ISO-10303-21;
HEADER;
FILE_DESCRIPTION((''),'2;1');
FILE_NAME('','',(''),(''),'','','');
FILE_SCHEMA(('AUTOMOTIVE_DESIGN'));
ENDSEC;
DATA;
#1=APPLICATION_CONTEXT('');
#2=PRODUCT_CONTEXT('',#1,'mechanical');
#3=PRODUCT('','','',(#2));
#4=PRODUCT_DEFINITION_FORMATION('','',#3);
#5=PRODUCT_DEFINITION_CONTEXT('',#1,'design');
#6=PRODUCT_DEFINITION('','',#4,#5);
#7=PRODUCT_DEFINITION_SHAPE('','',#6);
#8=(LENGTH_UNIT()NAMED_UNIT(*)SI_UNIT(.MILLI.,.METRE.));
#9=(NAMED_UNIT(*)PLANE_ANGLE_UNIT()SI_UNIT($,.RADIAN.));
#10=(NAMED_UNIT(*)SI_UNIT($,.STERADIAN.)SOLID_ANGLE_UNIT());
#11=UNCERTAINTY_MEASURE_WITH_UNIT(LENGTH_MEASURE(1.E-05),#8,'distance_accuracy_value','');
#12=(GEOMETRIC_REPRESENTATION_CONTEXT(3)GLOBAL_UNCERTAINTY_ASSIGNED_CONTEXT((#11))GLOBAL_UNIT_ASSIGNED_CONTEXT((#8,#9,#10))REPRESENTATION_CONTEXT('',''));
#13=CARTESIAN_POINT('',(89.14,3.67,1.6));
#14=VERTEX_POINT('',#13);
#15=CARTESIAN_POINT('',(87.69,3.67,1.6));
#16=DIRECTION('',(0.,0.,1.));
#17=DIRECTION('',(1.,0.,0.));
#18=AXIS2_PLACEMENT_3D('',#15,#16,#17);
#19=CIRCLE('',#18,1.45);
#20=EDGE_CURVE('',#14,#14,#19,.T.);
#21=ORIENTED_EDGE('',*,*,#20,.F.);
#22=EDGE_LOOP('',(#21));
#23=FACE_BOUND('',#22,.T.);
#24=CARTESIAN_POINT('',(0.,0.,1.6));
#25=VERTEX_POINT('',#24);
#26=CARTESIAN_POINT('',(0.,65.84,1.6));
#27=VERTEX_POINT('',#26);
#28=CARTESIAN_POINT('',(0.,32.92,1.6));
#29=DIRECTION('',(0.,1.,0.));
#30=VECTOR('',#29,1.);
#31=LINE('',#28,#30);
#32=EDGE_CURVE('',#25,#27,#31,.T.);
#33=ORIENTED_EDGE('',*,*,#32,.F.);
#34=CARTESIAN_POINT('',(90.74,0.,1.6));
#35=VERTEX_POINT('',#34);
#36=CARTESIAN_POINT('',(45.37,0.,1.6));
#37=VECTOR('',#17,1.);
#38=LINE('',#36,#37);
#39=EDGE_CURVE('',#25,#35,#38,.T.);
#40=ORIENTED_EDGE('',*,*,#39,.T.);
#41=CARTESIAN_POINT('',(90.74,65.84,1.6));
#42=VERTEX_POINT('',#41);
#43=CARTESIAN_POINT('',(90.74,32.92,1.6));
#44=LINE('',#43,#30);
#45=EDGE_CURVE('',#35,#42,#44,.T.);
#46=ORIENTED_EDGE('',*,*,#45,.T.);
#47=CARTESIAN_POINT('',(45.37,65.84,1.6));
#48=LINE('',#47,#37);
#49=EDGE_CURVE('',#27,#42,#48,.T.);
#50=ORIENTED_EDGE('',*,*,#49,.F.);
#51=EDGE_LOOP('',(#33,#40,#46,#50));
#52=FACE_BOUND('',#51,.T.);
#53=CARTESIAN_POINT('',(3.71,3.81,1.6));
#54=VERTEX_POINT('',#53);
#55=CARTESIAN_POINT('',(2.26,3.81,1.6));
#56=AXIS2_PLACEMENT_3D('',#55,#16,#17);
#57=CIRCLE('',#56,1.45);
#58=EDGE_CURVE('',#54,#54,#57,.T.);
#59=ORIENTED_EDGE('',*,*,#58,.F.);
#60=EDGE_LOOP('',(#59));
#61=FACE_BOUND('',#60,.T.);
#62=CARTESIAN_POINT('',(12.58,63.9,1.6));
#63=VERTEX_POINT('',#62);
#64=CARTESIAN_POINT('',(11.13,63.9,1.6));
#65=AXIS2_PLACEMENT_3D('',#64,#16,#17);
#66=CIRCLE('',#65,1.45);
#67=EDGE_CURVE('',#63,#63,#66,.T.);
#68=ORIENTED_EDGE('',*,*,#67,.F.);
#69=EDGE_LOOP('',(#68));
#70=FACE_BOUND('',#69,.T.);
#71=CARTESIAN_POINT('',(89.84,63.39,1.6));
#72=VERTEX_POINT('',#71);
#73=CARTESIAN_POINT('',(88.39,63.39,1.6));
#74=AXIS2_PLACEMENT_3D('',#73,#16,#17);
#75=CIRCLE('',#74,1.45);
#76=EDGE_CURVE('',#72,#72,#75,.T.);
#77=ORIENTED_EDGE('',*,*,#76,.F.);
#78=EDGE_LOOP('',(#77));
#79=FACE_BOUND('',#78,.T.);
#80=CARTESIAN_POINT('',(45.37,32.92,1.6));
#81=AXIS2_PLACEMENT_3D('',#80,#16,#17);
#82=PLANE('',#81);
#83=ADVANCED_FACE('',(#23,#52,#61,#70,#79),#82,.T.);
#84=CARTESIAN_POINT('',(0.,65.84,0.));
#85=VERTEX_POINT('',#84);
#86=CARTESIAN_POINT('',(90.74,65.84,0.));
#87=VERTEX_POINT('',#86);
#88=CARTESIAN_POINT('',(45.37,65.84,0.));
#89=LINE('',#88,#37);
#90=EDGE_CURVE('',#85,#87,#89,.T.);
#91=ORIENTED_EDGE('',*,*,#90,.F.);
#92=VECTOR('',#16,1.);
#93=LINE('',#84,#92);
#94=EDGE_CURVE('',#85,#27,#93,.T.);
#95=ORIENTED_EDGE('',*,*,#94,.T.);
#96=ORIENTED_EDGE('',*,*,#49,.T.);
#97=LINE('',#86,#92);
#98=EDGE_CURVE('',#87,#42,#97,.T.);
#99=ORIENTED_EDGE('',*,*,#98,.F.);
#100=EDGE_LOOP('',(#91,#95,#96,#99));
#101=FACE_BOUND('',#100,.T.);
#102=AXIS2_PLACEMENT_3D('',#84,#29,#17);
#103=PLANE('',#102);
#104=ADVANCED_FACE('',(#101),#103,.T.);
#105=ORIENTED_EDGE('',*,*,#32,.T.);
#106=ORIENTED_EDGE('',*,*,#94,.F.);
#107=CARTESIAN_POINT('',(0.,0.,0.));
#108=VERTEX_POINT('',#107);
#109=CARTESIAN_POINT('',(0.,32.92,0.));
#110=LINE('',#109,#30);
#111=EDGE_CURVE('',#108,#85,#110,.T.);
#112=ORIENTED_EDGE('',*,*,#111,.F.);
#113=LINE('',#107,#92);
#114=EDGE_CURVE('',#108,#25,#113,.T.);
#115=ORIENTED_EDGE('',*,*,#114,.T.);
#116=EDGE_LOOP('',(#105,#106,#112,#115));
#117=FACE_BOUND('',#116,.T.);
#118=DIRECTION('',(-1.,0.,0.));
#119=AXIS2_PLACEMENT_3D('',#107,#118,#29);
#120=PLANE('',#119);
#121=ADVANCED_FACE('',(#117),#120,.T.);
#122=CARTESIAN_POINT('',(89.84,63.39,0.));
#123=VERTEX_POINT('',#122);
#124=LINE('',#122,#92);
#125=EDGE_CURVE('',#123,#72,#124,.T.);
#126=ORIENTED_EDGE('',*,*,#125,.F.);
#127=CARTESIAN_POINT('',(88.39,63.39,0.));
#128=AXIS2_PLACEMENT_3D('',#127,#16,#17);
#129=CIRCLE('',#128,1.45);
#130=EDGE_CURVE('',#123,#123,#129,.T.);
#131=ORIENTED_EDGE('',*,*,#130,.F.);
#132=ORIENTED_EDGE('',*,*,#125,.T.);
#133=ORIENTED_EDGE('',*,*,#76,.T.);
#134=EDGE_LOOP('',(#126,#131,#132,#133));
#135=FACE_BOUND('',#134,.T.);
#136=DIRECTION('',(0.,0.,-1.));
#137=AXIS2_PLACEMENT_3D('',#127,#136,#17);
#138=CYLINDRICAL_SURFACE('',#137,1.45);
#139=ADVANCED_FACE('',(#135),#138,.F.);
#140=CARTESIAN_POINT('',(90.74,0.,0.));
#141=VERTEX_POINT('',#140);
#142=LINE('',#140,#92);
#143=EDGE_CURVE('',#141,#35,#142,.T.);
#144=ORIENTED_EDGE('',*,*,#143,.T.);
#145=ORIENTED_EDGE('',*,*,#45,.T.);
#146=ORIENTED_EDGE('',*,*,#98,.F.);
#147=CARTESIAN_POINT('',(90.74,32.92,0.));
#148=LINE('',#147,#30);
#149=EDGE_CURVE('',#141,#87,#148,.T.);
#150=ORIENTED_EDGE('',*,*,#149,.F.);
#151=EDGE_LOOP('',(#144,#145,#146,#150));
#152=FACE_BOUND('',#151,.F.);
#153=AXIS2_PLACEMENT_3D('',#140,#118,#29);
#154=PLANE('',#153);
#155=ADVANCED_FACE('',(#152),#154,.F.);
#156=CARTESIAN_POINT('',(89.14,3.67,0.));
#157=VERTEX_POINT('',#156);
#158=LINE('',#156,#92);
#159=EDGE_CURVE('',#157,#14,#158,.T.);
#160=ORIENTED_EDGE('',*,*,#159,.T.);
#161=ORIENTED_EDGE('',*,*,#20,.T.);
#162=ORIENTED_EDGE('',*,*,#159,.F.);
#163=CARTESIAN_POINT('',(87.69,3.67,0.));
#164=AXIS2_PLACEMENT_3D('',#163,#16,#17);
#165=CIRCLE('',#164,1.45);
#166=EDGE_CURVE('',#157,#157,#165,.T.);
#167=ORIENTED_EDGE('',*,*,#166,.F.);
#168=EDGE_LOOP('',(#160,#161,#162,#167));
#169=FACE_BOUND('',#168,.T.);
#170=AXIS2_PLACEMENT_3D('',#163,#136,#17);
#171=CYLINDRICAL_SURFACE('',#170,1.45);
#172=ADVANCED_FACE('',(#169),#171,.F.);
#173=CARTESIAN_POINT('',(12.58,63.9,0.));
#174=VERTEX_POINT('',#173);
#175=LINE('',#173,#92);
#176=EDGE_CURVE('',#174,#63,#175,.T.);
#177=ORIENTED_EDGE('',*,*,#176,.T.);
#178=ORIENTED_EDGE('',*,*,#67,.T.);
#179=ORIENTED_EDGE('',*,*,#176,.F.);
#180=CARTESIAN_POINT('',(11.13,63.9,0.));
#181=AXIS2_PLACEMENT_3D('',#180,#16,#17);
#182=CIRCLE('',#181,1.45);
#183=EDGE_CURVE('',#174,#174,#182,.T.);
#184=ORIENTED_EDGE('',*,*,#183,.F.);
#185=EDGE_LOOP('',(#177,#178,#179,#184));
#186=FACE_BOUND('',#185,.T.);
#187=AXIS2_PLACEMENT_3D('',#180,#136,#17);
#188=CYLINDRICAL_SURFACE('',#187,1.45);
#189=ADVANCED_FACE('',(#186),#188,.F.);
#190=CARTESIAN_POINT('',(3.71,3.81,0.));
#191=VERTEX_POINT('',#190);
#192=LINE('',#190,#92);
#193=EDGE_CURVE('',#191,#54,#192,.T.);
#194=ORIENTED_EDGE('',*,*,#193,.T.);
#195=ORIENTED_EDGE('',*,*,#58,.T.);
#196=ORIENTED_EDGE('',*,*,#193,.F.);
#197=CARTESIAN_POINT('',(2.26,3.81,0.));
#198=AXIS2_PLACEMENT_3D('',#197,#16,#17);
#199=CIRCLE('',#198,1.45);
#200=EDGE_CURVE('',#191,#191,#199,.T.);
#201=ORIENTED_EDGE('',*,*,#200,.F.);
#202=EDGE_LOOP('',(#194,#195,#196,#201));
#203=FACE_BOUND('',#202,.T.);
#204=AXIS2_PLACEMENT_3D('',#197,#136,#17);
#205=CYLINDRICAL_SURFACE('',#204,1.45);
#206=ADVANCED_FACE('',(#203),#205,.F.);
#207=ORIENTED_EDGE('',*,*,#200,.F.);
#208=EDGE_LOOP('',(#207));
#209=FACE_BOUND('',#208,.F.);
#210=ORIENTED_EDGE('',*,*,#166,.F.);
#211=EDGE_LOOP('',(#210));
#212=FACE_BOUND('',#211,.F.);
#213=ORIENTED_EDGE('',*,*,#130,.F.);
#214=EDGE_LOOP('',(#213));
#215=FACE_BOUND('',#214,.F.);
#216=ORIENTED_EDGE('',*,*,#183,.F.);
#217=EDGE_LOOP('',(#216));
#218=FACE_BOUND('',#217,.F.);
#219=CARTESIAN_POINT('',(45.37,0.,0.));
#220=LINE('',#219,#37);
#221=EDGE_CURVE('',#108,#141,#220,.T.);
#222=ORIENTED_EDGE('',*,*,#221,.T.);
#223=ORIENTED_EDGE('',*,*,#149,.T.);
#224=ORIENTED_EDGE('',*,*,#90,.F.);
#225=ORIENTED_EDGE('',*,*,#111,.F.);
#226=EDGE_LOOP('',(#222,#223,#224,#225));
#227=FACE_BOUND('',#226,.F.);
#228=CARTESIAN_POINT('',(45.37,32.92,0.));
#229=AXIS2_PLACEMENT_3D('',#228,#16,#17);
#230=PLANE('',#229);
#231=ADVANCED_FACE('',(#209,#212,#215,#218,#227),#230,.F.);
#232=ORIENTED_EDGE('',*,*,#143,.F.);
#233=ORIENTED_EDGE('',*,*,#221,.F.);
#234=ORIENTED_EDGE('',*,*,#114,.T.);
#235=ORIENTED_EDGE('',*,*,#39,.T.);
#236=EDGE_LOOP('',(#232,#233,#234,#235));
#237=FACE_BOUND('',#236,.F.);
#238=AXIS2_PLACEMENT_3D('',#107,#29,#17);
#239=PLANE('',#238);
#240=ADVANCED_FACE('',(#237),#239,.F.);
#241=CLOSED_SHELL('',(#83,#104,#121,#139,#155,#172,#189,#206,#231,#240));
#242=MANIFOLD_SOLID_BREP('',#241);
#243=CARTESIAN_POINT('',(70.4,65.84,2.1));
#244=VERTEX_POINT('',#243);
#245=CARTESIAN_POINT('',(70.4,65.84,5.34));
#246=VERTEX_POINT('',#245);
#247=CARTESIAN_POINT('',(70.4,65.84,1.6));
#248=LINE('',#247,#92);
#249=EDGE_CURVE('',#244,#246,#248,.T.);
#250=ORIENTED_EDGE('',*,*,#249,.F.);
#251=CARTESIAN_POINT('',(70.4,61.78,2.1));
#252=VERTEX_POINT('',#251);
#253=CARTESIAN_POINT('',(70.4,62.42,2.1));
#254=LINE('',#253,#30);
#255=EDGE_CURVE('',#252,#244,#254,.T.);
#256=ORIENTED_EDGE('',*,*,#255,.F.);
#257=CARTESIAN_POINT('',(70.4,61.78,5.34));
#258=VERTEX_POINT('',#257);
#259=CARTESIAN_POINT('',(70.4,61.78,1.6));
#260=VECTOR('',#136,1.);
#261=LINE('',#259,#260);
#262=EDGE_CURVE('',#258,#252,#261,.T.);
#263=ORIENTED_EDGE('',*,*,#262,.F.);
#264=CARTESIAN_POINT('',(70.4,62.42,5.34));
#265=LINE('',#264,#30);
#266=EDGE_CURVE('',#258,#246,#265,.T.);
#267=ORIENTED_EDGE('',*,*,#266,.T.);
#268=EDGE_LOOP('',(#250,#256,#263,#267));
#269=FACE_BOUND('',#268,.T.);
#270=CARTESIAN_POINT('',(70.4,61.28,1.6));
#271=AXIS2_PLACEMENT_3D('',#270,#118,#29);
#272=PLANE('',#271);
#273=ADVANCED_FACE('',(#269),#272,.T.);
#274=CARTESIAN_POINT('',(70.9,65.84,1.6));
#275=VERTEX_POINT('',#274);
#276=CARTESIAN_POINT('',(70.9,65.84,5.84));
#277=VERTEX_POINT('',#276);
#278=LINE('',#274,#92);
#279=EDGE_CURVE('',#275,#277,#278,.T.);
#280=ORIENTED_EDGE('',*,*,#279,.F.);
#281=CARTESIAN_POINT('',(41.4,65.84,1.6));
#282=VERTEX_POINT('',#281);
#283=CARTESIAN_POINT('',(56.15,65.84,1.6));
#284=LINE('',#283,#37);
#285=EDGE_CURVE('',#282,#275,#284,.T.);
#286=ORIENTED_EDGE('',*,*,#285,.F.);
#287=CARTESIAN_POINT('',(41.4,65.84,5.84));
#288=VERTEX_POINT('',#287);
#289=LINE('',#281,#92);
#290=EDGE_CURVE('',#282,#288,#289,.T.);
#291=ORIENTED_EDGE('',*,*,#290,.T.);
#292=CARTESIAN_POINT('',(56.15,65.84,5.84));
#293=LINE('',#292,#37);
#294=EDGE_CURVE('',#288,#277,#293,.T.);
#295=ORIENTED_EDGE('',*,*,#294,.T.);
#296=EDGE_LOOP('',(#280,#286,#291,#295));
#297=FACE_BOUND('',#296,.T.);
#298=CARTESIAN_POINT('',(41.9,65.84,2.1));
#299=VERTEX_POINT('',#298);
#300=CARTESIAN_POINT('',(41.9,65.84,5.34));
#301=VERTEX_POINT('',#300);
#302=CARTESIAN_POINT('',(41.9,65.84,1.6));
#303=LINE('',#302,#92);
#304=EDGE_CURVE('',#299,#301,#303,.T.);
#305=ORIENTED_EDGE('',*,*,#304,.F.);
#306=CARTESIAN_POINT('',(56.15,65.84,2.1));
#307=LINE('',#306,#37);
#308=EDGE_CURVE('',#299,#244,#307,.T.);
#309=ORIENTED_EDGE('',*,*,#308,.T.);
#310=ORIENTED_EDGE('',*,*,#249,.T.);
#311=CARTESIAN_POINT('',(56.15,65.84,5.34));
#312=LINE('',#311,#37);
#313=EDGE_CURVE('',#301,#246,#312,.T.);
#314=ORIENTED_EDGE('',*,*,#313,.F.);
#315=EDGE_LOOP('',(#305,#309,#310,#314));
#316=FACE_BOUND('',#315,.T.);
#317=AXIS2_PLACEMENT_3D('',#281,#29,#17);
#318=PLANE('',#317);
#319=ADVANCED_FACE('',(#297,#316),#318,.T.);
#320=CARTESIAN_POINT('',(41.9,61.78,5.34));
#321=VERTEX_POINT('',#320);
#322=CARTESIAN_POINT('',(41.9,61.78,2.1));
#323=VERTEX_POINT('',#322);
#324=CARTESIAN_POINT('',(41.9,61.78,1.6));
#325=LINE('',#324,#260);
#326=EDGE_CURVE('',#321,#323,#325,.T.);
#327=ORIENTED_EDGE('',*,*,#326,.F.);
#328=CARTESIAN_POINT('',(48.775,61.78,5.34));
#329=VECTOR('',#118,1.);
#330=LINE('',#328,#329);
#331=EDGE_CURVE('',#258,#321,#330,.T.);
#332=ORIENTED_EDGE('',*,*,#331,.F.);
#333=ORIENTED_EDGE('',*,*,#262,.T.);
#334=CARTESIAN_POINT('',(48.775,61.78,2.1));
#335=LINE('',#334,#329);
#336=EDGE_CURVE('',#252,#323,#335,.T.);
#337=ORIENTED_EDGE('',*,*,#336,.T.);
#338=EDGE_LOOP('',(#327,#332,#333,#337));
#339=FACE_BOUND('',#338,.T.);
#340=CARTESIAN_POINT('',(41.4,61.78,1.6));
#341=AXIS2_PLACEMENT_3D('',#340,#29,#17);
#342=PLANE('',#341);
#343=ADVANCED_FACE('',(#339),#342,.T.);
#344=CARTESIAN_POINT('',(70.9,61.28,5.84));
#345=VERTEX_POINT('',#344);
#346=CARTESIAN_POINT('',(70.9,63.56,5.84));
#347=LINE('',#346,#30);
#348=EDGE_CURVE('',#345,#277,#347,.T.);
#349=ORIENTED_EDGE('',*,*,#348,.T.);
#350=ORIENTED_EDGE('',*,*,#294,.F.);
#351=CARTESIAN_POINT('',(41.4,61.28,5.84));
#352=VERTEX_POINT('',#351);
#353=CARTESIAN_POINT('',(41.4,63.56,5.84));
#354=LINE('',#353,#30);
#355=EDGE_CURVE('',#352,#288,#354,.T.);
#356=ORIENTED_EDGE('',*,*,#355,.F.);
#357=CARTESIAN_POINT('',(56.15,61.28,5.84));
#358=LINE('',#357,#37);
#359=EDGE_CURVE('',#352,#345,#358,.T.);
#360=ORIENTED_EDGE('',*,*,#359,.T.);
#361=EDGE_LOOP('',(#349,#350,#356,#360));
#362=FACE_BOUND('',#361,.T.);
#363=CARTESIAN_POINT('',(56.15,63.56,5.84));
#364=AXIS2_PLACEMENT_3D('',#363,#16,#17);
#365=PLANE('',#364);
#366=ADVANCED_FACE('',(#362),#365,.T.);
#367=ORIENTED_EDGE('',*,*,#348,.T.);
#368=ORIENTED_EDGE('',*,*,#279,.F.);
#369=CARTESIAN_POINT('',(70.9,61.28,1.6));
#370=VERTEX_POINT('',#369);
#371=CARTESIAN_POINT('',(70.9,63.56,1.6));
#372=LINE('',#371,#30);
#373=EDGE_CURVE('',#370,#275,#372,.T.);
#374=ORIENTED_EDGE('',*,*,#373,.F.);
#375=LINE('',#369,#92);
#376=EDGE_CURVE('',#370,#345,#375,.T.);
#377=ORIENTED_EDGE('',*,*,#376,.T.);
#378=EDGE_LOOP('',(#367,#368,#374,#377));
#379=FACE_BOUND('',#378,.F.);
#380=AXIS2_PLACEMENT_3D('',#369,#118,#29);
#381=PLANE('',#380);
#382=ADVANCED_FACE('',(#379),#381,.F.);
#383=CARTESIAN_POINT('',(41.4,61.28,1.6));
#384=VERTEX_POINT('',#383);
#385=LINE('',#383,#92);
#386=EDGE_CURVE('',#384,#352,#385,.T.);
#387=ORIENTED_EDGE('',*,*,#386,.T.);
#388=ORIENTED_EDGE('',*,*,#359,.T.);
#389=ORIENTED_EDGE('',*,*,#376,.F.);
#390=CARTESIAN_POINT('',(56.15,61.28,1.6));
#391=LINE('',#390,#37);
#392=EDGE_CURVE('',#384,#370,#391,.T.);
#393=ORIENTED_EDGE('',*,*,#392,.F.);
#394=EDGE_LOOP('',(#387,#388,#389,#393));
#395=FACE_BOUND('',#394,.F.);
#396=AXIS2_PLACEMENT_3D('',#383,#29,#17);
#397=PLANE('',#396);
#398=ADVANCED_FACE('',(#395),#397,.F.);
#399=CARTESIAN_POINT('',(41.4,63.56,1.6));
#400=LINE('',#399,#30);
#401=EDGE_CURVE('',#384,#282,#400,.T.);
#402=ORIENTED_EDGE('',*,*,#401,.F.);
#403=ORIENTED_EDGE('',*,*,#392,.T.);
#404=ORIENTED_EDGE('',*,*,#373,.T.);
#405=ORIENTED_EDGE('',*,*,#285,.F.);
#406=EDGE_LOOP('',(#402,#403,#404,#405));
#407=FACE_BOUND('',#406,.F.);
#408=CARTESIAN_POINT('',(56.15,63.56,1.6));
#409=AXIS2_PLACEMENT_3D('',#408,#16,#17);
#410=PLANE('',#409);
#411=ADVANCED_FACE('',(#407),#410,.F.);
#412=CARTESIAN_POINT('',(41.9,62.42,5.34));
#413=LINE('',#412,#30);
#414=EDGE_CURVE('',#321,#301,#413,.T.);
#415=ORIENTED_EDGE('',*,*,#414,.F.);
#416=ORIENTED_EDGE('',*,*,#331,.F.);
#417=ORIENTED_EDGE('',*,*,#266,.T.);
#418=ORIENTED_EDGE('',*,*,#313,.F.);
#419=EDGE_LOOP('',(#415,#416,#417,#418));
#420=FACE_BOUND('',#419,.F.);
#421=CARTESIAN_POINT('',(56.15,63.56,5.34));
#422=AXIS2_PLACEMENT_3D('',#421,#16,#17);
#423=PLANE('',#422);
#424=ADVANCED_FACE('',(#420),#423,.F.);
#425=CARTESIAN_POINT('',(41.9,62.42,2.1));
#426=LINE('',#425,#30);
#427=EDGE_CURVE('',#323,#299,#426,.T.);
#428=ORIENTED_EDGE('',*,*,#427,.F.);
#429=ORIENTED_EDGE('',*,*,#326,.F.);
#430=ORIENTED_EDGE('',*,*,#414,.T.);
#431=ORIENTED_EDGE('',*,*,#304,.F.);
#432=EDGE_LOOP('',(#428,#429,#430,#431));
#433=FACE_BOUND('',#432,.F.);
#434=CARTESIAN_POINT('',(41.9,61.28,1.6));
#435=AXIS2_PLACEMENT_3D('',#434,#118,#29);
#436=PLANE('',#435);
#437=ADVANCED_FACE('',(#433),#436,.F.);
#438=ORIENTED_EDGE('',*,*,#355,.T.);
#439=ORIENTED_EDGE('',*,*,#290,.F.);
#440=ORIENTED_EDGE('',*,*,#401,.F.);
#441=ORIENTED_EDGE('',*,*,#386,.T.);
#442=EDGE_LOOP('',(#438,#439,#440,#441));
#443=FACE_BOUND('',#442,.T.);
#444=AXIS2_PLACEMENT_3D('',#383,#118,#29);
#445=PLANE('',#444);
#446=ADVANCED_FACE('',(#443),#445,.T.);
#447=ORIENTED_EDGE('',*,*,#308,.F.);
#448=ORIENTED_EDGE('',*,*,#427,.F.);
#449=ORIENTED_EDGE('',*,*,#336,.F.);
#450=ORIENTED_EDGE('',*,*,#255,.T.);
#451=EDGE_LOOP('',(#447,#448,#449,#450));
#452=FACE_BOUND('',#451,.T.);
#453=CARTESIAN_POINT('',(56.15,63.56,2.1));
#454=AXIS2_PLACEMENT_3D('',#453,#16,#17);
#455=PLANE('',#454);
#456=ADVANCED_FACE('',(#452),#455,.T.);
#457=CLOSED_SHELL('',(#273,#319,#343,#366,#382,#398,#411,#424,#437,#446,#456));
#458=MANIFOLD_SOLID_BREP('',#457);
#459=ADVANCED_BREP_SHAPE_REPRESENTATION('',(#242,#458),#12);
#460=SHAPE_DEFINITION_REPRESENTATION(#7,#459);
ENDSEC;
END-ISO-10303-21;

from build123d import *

# Parameters (mm, degrees)
F0_W     = 90.74
F0_H     = 65.84
F0_R     = 1.45
F1_DEPTH = 1.6
F2_W     = 29.5
F2_H     = 4.56
F3_DEPTH = 4.24
F4_T     = -0.5


with BuildPart() as f1:
    # F0 (on Top) → F1 (new body)
    with BuildSketch(Plane.XY):
        with Locations((45.37, 32.92)):
            Rectangle(F0_W, F0_H)
        with Locations((2.26, 3.81)):
            Circle(F0_R, mode=Mode.SUBTRACT)
        with Locations((87.69, 3.67)):
            Circle(F0_R, mode=Mode.SUBTRACT)
        with Locations((11.13, 63.9)):
            Circle(F0_R, mode=Mode.SUBTRACT)
        with Locations((88.39, 63.39)):
            Circle(F0_R, mode=Mode.SUBTRACT)
    extrude(amount=F1_DEPTH)


with BuildPart() as f3:
    # F2 (on face) → F3 (new body)
    with BuildSketch(Plane.XY.offset(1.6)):
        with Locations((56.15, 63.56)):
            Rectangle(F2_W, F2_H)
    extrude(amount=F3_DEPTH)

    # F4
    f4_openings = [f3.faces().sort_by_distance(p)[0] for p in [
        (56.15, 65.84, 3.72),
    ]]
    offset(amount=F4_T, openings=f4_openings)


solid = Compound([f1.part, f3.part])
